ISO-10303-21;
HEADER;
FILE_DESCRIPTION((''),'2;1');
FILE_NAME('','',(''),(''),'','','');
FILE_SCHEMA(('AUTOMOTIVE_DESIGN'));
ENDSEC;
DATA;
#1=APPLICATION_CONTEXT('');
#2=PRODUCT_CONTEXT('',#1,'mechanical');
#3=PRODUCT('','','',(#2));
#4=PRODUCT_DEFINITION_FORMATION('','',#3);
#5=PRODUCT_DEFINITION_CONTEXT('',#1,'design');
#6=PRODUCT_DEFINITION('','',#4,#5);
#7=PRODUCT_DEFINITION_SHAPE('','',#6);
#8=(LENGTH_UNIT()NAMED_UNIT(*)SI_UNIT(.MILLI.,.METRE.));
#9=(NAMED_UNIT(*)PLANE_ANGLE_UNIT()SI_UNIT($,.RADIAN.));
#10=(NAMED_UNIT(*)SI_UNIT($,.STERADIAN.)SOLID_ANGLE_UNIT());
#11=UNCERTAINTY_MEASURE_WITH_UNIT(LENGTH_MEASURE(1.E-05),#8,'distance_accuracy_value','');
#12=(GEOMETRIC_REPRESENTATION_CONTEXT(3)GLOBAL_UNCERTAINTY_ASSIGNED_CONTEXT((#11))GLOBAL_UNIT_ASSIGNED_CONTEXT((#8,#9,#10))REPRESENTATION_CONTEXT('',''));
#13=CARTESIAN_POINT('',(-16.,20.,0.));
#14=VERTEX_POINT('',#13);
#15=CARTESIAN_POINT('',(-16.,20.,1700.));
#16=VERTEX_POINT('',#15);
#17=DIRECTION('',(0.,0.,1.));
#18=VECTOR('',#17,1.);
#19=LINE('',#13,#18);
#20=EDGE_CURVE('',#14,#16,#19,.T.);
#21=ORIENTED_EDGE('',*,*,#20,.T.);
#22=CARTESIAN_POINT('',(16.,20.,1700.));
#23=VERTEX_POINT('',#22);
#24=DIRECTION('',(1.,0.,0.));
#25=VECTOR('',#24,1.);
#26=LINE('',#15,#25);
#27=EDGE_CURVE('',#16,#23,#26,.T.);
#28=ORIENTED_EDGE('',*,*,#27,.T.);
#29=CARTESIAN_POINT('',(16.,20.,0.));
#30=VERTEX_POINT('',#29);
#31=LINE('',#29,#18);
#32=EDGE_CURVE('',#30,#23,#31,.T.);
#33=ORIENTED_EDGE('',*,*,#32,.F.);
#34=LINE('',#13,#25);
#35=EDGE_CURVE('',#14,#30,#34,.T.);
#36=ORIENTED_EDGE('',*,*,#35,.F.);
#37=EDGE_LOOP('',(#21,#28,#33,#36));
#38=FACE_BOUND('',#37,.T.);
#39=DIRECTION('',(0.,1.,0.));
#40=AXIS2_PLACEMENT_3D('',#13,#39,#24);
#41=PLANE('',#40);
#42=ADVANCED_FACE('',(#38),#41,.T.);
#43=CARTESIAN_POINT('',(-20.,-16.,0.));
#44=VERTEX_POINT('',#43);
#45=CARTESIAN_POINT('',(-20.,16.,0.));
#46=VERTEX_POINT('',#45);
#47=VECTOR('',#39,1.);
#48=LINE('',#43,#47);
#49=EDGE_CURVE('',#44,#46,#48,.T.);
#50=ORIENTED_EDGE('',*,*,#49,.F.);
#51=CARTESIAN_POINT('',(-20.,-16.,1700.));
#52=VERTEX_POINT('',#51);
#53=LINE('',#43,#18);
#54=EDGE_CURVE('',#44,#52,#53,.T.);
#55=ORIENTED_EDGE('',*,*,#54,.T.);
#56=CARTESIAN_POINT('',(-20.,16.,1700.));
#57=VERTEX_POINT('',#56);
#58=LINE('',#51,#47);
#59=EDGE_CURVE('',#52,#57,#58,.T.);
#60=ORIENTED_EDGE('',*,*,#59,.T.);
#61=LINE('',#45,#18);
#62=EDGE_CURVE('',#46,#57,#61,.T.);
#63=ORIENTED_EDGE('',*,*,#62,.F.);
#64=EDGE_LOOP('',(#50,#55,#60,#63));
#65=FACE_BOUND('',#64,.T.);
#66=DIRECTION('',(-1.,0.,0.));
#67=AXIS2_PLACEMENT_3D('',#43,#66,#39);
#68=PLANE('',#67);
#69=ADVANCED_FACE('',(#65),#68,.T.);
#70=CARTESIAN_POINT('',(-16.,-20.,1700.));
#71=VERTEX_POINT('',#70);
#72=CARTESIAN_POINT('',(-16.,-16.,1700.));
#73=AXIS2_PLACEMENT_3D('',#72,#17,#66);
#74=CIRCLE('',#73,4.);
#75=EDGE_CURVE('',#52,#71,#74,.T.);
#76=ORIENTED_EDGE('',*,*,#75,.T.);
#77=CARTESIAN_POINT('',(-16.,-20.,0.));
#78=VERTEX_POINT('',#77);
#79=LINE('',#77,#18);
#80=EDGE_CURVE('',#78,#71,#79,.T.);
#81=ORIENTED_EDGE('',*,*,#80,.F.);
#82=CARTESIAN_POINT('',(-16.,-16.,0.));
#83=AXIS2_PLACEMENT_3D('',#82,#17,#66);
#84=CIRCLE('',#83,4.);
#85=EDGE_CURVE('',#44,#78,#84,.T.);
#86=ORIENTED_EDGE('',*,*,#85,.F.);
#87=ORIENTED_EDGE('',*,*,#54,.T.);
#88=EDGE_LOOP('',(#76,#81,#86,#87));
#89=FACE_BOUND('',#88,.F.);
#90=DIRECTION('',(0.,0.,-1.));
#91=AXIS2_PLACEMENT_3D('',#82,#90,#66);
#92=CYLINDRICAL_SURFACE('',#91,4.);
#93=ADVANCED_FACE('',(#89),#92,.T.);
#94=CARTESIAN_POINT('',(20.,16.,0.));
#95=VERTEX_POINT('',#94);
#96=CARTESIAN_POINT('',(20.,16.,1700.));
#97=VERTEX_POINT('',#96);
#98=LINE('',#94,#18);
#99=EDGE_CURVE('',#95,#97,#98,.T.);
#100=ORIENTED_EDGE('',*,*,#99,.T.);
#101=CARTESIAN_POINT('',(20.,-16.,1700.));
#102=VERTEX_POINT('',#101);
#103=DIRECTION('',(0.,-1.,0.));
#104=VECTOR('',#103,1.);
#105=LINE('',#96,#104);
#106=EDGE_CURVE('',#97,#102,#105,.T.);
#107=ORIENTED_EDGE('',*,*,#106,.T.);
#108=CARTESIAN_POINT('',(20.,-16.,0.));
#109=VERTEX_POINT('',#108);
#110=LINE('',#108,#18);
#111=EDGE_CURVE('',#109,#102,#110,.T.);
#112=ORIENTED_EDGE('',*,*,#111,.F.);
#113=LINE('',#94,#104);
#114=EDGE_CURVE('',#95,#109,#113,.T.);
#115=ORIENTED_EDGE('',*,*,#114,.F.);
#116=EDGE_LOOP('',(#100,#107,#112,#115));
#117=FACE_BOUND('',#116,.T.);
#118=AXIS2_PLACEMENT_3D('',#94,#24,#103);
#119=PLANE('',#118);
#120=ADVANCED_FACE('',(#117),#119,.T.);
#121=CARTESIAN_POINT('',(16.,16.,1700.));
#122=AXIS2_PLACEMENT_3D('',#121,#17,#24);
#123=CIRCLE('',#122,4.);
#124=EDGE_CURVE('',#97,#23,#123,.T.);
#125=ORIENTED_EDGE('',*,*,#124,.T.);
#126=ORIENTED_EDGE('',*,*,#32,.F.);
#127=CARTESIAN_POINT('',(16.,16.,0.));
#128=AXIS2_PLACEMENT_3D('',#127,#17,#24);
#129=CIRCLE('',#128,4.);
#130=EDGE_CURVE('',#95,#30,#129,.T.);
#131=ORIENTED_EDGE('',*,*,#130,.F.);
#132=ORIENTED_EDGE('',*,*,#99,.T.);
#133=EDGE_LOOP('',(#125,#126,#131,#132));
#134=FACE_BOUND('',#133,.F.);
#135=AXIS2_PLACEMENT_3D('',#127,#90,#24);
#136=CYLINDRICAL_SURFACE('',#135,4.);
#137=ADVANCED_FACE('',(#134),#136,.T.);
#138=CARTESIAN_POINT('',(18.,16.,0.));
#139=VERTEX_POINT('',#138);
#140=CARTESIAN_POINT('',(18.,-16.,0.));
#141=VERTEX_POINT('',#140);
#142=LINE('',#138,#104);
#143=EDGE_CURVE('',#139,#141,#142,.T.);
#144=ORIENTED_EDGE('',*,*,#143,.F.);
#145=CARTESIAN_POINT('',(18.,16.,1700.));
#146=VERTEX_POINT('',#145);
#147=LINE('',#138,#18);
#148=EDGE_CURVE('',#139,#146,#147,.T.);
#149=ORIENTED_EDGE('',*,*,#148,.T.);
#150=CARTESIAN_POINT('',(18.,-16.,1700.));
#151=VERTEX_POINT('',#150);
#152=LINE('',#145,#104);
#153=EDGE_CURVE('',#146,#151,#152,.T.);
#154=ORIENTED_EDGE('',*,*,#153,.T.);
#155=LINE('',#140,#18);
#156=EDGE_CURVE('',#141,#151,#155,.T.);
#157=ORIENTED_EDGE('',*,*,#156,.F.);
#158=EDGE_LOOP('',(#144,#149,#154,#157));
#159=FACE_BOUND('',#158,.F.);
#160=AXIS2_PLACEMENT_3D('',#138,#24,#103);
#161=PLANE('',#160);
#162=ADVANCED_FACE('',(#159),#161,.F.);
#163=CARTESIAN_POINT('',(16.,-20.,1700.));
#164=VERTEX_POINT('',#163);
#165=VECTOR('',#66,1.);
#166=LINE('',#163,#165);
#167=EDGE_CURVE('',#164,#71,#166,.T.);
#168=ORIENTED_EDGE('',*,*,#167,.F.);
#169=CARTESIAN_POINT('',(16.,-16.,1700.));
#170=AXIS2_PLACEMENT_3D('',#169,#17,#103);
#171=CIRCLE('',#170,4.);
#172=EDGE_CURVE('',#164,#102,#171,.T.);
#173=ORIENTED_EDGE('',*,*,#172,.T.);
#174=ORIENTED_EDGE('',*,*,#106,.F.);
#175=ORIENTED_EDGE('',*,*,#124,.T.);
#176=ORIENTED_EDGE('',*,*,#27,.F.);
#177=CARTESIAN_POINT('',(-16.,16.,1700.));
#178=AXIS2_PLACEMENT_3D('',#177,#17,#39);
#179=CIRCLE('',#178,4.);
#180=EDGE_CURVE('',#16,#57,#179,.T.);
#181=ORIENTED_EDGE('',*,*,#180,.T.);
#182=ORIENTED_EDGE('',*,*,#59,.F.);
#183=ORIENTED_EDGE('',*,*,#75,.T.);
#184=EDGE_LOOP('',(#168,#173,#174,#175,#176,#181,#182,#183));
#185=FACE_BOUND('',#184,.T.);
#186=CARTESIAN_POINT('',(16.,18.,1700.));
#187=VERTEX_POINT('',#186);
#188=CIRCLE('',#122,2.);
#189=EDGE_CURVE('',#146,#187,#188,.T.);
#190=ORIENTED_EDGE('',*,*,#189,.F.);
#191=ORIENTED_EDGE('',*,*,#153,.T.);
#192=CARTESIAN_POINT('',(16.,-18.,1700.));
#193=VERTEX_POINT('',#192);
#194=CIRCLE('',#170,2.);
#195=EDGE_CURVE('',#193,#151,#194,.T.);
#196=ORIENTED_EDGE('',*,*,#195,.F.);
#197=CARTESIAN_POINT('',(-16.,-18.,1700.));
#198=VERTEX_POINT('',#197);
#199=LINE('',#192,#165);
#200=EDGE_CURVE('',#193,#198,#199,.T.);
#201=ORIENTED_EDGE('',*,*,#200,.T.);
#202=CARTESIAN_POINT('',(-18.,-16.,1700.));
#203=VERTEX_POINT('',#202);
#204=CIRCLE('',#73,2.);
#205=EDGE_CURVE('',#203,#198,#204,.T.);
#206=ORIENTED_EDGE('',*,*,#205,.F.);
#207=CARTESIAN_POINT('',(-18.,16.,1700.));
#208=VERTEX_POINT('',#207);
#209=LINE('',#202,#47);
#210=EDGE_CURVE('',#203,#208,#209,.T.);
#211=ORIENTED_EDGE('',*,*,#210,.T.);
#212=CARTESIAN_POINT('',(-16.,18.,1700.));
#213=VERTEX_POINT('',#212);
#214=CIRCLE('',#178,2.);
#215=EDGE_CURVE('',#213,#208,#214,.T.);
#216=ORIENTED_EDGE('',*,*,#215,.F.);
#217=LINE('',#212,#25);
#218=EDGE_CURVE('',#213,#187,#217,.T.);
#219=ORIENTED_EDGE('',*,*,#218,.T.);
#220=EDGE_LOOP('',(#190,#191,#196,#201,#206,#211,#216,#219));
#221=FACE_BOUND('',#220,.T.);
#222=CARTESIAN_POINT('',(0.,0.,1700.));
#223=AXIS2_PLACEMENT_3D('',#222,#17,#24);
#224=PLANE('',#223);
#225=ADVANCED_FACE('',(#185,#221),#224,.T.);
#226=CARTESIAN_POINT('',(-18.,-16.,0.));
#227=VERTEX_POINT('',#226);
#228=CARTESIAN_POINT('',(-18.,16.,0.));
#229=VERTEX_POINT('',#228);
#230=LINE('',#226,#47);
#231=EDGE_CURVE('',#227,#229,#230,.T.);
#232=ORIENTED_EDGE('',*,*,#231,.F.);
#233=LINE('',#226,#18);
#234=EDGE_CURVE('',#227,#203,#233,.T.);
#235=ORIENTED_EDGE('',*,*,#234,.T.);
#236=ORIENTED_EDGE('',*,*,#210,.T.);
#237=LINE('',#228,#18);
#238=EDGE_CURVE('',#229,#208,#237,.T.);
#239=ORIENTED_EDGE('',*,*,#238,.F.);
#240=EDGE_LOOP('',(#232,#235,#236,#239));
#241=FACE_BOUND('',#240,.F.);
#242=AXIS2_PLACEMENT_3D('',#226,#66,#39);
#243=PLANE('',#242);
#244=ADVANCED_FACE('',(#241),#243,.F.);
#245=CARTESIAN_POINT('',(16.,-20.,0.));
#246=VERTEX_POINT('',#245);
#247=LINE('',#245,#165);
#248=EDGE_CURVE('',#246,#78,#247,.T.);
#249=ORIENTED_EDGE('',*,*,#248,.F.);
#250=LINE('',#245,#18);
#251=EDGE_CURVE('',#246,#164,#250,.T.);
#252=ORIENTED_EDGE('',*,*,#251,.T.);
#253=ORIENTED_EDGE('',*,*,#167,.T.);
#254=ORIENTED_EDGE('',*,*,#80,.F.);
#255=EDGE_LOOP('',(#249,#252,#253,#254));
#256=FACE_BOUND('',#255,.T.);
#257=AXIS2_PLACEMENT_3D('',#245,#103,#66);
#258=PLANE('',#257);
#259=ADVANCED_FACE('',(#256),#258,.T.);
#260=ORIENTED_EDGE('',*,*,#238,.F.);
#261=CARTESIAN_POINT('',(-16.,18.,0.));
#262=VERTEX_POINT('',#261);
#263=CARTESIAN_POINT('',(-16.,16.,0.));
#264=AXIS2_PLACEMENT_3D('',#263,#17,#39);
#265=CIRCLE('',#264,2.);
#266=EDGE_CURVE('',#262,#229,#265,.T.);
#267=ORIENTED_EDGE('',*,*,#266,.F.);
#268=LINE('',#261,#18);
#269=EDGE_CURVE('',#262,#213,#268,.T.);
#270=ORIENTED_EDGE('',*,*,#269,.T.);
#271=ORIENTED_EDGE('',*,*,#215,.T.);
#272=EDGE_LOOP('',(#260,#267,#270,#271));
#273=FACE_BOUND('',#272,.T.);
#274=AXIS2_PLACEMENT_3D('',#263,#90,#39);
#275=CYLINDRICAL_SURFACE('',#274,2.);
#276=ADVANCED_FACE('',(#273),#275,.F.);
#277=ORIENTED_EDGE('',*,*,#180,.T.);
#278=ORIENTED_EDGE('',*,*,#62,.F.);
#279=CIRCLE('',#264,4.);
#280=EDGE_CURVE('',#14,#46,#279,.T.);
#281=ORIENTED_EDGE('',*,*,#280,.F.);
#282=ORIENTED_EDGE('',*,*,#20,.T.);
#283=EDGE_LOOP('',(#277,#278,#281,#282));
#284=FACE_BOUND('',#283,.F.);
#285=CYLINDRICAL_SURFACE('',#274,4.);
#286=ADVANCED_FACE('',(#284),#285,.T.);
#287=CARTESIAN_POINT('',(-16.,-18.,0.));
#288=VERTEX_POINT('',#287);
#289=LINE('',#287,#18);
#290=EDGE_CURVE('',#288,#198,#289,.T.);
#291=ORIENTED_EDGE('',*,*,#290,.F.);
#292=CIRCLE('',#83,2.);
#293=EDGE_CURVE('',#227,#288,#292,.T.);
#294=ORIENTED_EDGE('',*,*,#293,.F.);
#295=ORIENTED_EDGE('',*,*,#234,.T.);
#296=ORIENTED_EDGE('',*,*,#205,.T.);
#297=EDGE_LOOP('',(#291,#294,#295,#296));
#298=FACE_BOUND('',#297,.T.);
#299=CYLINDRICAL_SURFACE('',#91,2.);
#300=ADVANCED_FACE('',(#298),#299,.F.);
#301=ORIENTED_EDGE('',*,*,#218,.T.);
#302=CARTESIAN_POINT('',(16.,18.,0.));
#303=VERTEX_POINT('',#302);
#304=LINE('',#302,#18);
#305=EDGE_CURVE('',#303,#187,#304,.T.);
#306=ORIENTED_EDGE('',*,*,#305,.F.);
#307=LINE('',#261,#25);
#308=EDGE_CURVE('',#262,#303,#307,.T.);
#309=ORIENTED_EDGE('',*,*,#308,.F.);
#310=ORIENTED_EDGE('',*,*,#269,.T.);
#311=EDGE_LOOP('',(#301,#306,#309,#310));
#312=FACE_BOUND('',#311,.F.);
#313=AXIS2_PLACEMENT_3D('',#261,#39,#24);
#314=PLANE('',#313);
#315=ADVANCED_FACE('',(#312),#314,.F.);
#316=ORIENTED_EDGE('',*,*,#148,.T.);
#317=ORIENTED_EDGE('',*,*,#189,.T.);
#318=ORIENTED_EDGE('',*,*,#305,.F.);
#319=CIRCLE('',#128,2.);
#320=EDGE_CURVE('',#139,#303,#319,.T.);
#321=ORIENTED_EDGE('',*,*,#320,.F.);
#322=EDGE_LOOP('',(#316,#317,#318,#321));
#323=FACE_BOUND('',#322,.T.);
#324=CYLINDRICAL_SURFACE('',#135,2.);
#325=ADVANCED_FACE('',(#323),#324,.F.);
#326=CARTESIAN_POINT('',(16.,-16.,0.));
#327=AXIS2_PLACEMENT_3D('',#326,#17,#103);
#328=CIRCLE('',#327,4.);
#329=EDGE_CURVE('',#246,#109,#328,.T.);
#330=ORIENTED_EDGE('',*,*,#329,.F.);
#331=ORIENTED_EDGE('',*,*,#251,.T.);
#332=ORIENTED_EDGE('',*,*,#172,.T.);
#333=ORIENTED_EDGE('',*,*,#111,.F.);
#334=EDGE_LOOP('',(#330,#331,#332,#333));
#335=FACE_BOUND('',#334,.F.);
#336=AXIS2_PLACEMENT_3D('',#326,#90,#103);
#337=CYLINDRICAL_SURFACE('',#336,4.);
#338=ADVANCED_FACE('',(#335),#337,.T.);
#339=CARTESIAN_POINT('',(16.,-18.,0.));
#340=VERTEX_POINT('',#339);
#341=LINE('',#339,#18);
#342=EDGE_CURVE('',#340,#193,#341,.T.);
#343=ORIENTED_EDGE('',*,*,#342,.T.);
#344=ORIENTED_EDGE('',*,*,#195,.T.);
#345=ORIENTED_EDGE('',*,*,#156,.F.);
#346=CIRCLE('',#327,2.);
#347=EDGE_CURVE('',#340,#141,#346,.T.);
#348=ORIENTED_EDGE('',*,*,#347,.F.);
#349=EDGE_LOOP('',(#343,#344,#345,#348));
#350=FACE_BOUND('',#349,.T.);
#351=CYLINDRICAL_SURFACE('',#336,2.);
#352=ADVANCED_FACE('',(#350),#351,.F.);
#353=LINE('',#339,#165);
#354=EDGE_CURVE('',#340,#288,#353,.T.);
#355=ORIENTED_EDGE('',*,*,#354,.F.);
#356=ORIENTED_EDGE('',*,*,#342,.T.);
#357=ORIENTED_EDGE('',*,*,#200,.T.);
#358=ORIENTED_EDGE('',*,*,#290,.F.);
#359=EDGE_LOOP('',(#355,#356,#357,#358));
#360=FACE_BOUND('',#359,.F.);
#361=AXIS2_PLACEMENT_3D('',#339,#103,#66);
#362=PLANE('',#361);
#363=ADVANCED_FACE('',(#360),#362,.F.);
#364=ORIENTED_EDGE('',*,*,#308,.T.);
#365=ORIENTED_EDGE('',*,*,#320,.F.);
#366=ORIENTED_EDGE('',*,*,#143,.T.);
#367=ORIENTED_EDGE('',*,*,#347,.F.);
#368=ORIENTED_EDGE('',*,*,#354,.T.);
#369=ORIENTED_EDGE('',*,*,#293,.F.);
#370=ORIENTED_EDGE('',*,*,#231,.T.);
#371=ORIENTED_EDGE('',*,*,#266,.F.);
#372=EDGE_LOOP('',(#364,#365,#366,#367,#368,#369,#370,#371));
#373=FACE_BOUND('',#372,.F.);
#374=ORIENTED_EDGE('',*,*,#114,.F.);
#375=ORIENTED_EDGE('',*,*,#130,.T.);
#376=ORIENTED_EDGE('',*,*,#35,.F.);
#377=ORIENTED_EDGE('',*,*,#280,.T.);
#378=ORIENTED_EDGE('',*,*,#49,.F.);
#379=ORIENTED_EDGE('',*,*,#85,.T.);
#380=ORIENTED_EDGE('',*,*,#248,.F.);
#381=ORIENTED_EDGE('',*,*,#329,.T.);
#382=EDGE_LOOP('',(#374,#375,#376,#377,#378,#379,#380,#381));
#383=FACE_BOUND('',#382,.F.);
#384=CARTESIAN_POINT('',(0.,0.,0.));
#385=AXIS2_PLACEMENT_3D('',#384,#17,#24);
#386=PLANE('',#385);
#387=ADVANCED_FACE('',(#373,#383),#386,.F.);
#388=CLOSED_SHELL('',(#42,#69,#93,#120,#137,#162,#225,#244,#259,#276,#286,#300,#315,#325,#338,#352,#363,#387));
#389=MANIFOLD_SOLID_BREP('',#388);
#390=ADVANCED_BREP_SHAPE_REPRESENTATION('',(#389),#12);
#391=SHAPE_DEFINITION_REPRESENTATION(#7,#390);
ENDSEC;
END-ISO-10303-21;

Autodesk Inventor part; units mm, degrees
ref_plane "YZ Plane" through (0, 0, 0) normal (1, 0, 0) x (0, 1, 0)
ref_plane "Start Plane" through (0, 0, 0) normal (0, 0, 1) x (1, 0, 0)
ref_plane "End Plane" through (0, 0, 1700) normal (0, 0, 1) x (1, 0, 0)
sketch "Sketch" plane through (0, 0, 0) normal (0, 0, 1) x (1, 0, 0)
  line L0 (-20, -16) -> (-20, 16)
  line L1 (-16, 20) -> (16, 20)
  line L2 (20, 16) -> (20, -16)
  line L3 (16, -20) -> (-16, -20)
  arc A0 (-20, -16) -> (-16, -20) centre (-16, -16) ccw
  arc A1 (20, 16) -> (16, 20) centre (16, 16) ccw
  arc A2 (-16, 20) -> (-20, 16) centre (-16, 16) ccw
  arc A3 (16, -20) -> (20, -16) centre (16, -16) ccw
  arc A4 (-16, 18) -> (-18, 16) centre (-16, 16) ccw
  line L4 (-16, 18) -> (16, 18)
  arc A5 (18, 16) -> (16, 18) centre (16, 16) ccw
  line L5 (18, 16) -> (18, -16)
  arc A6 (16, -18) -> (18, -16) centre (16, -16) ccw
  line L6 (16, -18) -> (-16, -18)
  arc A7 (-18, -16) -> (-16, -18) centre (-16, -16) ccw
  line L7 (-18, -16) -> (-18, 16)
  line L8 (0, 29.1598) -> (0, -29.1598) construction
  line L9 (-29.1598, 0) -> (29.1598, 0) construction
  dimension "d7" = 4
  dimension "d9" = 40
  dimension "d11" = 40
  dimension "d12" = 2
  dimension "d15" = 20
  dimension "d16" = 20
extrude "Body" add sketch "Sketch" along normal up to surface (1700 mm away) from surface at 0
sketch "Sketch3" plane through (0, 0, 0) normal (0, 0, 1) x (1, 0, 0)
  line L0 (0, 0) -> (10, 0)
ref_plane "Work Plane3" through (0, 0, 0) normal (0, -1, 0) x (1, 0, 0)
sketch "Sketch4" plane through (0, 0, 0) normal (0, -1, 0) x (1, 0, 0)
  line L0 (-2, 0) -> (12, 0) projected
  line L1 (-2, 1700) -> (12, 1700) projected
  dimension "d18" = 1700
equation "\"d7\" = G_IR"
equation "\"d9\" = G_W"
equation "\"d11\" = G_H"
equation "\"d12\" = G_T"
equation "\"d15\" = 0.5 * d9"
equation "\"d16\" = 0.5 * d11"
equation "\"d3\" = G_L"
equation "\"G_W\" = 40"
equation "\"G_H\" = 40"
equation "\"G_T\" = 2"
equation "\"G_IR\" = 4"
equation "\"G_L\" = d18"
equation "\"G_OFFSET_START\" = 0"
equation "\"G_OFFSET_END\" = 0"
properties part number "ISO 10799-2 - 40x40x2 - 1700" material "Steel, Mild"
